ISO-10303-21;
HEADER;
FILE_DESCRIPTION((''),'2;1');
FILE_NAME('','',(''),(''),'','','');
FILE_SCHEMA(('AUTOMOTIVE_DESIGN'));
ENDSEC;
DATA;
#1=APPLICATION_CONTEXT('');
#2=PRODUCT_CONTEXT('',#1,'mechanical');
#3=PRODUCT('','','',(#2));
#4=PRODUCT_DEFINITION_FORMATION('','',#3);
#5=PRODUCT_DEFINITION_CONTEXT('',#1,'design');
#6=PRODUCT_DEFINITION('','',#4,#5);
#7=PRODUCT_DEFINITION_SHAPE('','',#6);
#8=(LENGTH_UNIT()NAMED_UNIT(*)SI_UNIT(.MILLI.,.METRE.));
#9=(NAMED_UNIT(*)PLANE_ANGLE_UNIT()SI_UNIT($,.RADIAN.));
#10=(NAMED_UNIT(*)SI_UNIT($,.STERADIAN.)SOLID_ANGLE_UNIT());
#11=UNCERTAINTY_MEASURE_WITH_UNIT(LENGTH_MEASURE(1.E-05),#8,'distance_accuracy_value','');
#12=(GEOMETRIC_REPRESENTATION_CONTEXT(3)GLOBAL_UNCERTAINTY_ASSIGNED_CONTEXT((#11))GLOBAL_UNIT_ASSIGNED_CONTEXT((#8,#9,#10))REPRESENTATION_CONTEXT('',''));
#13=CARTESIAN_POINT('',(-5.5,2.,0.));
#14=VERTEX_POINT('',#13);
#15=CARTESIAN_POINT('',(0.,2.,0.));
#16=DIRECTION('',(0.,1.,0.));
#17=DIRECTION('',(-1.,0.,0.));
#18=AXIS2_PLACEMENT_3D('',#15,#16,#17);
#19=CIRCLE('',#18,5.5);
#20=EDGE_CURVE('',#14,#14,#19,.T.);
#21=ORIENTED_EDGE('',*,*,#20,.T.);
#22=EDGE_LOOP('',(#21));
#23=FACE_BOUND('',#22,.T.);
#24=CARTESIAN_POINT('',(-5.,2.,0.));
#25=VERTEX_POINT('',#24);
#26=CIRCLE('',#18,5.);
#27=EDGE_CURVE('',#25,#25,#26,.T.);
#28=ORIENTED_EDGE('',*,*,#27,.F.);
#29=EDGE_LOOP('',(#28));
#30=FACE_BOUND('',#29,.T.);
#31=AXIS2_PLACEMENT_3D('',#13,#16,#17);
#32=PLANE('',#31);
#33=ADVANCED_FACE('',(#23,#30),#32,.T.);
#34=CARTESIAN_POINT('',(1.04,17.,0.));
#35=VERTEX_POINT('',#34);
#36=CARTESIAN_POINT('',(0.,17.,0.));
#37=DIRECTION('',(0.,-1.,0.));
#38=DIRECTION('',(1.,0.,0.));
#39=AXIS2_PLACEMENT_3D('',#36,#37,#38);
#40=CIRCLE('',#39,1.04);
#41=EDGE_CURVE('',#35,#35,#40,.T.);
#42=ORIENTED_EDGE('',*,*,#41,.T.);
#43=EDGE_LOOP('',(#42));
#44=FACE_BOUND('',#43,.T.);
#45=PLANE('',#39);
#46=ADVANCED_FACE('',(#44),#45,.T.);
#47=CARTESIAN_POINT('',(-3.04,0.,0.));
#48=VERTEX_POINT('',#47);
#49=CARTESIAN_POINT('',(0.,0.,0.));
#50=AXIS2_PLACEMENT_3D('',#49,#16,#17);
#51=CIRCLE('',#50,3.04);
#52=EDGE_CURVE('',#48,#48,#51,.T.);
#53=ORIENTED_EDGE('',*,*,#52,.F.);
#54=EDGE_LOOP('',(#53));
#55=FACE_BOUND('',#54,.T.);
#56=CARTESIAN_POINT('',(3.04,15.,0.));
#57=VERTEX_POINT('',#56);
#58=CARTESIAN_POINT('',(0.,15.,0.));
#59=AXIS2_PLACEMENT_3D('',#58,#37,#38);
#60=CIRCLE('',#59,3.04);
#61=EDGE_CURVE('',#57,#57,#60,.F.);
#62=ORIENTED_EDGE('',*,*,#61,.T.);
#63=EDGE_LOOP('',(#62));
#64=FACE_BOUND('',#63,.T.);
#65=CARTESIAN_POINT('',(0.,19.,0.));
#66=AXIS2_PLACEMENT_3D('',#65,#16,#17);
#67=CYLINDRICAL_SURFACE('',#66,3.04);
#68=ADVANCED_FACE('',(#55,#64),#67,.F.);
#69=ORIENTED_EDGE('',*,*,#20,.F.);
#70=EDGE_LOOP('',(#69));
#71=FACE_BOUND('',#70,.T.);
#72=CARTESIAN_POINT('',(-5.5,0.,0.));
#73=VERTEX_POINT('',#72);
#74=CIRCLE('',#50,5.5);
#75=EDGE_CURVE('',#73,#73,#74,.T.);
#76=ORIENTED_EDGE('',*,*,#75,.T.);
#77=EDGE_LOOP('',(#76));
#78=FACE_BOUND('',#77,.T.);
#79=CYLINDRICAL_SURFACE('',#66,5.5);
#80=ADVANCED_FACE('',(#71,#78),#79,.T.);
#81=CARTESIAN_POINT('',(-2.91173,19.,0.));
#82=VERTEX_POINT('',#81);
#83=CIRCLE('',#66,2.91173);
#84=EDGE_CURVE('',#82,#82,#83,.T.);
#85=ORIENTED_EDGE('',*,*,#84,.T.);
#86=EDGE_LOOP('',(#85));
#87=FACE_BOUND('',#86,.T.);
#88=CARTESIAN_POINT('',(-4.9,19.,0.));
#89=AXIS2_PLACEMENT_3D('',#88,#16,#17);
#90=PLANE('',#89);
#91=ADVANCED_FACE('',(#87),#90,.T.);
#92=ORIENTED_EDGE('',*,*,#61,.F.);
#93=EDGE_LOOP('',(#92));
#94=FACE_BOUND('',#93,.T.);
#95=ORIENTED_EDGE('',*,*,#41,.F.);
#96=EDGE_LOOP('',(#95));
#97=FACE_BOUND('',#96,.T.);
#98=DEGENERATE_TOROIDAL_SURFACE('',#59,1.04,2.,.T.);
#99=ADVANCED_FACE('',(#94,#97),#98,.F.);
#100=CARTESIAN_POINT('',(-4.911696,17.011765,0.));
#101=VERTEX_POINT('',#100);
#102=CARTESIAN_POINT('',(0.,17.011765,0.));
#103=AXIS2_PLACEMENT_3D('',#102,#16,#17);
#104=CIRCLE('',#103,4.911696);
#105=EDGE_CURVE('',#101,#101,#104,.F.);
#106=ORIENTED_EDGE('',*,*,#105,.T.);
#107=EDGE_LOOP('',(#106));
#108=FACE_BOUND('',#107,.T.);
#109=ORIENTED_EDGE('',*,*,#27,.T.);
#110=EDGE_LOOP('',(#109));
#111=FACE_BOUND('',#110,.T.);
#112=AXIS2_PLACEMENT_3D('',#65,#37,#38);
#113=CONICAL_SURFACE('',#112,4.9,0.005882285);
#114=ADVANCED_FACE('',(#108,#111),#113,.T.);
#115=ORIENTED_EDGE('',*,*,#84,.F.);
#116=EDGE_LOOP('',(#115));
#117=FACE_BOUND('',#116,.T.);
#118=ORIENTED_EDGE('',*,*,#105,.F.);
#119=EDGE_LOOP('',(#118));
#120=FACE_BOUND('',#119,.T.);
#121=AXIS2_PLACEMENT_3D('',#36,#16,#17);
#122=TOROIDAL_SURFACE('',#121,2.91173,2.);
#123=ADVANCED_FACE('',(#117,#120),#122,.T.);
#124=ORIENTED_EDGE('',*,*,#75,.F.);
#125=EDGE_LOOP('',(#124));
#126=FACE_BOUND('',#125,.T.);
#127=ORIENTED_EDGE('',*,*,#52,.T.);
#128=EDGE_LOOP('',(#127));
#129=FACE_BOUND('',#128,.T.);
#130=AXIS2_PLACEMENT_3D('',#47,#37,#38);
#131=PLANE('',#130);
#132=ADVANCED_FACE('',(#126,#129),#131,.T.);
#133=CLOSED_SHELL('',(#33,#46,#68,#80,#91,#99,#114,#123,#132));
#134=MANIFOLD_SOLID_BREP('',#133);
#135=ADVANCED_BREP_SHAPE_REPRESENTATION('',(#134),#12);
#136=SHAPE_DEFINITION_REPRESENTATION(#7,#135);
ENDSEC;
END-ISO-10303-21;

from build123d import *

# Parameters (mm, degrees)
FILLET_2_R = 2
FILLET_3_R = 2


with BuildPart() as part:
    # 草图1 → 旋转1 (revolve)
    with BuildSketch(Plane.XY):
        Polygon((0, 19), (0, 17), (-3.04, 17), (-3.04, 0), (-5.5, 0), (-5.5, 2), (-5, 2), (-4.9, 19), align=None)
    revolve(axis=Axis((0, 19, 0), (0, -1, 0)))

    # 圆角2
    fillet_2_edges = [part.edges().sort_by_distance(p)[0] for p in [
        (3.04, 17, 0),
    ]]
    fillet(fillet_2_edges, radius=FILLET_2_R)

    # 圆角3
    fillet_3_edges = [part.edges().sort_by_distance(p)[0] for p in [
        (4.9, 19, 0),
    ]]
    fillet(fillet_3_edges, radius=FILLET_3_R)


solid = part.part
